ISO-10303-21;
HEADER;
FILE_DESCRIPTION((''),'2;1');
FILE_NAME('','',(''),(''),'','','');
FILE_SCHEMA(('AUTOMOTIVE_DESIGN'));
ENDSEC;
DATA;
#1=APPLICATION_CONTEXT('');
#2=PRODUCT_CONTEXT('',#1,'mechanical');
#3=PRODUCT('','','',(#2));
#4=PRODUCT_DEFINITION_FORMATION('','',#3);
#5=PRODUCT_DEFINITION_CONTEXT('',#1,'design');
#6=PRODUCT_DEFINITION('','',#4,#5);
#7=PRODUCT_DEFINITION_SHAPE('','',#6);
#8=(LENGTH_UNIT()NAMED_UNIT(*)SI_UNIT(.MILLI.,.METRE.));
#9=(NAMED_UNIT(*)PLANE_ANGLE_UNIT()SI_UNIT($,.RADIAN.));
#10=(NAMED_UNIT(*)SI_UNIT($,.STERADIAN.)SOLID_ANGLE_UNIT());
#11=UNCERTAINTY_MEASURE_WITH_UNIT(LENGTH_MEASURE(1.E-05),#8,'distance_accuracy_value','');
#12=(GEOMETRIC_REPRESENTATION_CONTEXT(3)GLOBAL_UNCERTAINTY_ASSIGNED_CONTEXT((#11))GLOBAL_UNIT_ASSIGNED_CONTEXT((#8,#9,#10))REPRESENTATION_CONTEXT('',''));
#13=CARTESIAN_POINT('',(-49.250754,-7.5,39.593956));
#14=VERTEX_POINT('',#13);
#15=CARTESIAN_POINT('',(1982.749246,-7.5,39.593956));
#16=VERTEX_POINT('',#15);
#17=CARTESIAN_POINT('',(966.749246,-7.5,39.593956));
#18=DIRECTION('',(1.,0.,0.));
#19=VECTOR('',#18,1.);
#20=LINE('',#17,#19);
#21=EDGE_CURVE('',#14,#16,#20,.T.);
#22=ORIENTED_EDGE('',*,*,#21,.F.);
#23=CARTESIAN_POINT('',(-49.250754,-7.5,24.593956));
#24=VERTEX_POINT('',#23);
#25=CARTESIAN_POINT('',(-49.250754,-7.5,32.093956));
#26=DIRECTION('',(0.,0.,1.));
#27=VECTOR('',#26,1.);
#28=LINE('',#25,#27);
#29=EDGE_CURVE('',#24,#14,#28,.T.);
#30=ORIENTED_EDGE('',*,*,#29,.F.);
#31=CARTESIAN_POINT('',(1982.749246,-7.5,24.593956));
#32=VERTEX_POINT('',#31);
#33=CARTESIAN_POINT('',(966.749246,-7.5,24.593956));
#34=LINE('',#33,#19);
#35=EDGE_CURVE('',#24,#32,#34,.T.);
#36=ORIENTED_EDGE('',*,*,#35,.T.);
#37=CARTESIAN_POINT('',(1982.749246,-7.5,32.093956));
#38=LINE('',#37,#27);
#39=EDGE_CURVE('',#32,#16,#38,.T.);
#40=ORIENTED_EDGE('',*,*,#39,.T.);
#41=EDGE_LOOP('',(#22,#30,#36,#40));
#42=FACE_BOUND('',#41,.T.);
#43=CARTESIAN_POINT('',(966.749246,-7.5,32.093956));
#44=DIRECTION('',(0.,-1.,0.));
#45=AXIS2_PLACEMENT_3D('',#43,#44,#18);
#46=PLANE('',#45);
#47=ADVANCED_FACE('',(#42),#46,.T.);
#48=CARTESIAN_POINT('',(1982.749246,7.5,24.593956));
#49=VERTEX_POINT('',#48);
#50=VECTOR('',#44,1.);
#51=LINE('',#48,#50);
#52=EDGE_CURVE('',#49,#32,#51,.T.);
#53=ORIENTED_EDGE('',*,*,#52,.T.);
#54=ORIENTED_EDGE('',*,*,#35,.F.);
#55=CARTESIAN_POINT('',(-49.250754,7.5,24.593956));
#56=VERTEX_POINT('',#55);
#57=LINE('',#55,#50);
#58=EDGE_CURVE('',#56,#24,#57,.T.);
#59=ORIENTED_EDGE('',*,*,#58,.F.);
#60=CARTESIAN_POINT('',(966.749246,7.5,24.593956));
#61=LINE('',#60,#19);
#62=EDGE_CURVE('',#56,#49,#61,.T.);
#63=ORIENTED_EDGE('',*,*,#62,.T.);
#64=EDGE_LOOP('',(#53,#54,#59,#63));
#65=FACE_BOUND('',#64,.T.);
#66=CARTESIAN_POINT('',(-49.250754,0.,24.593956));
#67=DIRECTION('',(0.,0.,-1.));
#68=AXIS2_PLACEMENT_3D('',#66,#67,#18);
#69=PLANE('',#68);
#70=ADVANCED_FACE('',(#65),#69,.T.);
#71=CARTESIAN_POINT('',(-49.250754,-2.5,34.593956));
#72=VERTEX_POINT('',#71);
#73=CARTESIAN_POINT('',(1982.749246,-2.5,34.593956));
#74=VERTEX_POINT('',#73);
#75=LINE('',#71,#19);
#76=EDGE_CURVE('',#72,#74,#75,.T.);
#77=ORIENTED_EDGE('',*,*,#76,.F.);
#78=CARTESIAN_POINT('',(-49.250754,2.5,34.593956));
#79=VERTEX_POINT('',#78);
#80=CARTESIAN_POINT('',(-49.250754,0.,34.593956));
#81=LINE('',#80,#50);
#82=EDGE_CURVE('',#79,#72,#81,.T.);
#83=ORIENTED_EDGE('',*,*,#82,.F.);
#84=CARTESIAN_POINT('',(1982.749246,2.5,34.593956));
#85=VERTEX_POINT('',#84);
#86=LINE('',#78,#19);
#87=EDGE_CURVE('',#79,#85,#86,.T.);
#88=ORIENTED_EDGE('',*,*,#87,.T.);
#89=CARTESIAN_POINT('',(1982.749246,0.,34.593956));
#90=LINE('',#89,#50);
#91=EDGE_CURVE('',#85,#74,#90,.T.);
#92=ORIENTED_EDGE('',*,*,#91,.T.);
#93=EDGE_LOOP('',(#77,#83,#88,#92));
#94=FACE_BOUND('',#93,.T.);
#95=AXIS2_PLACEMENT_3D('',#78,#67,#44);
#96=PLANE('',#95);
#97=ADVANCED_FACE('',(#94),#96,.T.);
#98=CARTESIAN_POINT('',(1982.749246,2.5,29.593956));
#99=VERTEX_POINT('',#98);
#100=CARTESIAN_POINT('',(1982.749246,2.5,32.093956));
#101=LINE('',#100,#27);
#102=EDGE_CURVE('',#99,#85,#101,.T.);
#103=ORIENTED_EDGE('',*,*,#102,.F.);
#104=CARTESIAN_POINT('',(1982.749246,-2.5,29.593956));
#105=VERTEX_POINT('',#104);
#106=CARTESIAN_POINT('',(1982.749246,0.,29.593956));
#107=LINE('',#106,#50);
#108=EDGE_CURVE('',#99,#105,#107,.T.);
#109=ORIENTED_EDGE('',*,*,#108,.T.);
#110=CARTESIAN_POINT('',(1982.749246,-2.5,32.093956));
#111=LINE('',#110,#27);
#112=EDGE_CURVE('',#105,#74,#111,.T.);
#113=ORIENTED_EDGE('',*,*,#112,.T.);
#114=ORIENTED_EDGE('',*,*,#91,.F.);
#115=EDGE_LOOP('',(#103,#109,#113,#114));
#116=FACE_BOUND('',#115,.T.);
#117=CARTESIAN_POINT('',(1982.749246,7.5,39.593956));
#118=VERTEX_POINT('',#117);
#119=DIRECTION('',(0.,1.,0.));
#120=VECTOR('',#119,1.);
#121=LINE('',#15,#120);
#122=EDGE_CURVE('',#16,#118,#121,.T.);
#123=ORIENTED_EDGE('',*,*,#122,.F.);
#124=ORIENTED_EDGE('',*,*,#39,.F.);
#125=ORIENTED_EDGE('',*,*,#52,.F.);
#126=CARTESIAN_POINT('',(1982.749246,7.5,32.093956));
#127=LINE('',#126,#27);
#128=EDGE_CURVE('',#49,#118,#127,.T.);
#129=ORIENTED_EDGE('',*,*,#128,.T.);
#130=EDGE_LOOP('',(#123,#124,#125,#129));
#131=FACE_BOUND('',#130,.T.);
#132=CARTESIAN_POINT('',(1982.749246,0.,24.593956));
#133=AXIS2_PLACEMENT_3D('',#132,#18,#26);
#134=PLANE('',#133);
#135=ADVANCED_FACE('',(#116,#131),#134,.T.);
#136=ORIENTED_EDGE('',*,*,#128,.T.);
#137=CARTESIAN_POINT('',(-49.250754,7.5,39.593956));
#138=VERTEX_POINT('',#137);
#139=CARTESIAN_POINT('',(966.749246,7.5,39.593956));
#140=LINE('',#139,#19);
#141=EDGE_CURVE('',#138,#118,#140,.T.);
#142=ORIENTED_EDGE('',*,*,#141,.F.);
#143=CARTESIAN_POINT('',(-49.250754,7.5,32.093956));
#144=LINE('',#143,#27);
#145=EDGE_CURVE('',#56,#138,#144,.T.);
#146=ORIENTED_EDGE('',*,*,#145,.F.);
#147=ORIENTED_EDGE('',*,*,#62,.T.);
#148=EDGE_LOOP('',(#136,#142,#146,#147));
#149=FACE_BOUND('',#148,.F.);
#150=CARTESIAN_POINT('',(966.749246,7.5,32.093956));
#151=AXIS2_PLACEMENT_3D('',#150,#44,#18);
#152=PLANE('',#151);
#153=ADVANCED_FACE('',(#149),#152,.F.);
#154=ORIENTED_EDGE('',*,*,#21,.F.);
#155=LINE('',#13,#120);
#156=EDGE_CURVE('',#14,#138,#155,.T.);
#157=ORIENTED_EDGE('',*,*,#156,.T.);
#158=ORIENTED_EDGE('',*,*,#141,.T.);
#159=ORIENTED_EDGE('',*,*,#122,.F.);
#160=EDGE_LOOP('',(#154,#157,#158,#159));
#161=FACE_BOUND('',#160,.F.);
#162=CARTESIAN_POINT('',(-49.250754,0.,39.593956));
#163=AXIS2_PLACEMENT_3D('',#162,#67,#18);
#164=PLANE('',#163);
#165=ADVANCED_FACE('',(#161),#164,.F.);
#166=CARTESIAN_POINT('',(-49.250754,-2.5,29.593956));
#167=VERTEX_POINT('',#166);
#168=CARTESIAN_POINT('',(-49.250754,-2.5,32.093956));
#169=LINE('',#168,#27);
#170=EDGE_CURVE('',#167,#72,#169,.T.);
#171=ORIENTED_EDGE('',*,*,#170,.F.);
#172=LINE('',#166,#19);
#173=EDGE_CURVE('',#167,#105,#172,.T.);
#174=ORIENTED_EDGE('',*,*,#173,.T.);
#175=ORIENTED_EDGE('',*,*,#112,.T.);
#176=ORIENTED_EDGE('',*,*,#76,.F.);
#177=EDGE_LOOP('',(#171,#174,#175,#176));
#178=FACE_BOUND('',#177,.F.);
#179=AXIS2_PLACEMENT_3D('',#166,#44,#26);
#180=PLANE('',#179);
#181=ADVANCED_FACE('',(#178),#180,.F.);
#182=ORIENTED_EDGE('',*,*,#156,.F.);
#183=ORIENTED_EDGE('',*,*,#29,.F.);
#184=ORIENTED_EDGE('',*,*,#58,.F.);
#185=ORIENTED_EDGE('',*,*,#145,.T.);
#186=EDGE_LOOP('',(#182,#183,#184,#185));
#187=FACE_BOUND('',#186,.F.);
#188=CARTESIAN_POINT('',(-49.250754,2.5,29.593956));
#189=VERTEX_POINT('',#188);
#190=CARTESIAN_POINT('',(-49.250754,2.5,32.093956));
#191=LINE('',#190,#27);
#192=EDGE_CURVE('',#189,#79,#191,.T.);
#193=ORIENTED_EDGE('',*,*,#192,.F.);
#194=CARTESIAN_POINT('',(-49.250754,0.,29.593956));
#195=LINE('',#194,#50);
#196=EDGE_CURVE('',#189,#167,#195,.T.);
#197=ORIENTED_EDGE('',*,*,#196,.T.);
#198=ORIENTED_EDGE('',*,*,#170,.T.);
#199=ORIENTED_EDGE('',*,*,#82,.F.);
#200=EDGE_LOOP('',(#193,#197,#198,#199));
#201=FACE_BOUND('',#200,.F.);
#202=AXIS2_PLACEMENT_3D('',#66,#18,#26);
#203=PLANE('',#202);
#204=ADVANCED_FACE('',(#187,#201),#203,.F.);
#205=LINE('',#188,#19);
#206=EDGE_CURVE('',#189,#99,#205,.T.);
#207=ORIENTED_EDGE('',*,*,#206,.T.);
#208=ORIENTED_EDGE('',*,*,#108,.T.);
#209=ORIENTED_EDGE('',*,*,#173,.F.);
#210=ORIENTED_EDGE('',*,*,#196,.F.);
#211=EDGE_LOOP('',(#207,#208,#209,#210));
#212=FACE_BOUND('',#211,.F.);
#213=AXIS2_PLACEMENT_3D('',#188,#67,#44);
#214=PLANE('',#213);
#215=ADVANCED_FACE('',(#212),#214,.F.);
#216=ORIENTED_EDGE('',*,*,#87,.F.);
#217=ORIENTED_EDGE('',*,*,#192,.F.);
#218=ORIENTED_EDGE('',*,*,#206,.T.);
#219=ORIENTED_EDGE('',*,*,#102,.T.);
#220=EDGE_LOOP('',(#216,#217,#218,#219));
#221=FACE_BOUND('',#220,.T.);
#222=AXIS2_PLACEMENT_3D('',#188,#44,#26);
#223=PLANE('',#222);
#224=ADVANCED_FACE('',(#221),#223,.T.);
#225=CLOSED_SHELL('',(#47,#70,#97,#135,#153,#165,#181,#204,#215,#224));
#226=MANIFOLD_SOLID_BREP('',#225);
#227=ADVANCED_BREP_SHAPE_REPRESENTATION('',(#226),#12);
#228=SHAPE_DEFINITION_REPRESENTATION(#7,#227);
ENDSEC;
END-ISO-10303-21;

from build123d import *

# Parameters (mm, degrees)
F0_W     = 2032
F0_H     = 15
F1_DEPTH = 7.5
F2_W     = 5
F2_H     = 5
F3_DEPTH = 2032


with BuildPart() as f1:
    # F0 (on Front) → F1 (new body, symmetric)
    with BuildSketch(Plane.XZ):
        with Locations((966.749246, 32.093956)):
            Rectangle(F0_W, F0_H)
    extrude(amount=F1_DEPTH, both=True)

    # F2 (on face) → F3 (cut)
    with BuildSketch(Plane(origin=(-49.250754, 0, 0), x_dir=(0, -1, 0), z_dir=(-1, 0, 0))):
        with Locations((0, 32.093956)):
            Rectangle(F2_W, F2_H)
    extrude(amount=-F3_DEPTH, mode=Mode.SUBTRACT)


solid = f1.part
